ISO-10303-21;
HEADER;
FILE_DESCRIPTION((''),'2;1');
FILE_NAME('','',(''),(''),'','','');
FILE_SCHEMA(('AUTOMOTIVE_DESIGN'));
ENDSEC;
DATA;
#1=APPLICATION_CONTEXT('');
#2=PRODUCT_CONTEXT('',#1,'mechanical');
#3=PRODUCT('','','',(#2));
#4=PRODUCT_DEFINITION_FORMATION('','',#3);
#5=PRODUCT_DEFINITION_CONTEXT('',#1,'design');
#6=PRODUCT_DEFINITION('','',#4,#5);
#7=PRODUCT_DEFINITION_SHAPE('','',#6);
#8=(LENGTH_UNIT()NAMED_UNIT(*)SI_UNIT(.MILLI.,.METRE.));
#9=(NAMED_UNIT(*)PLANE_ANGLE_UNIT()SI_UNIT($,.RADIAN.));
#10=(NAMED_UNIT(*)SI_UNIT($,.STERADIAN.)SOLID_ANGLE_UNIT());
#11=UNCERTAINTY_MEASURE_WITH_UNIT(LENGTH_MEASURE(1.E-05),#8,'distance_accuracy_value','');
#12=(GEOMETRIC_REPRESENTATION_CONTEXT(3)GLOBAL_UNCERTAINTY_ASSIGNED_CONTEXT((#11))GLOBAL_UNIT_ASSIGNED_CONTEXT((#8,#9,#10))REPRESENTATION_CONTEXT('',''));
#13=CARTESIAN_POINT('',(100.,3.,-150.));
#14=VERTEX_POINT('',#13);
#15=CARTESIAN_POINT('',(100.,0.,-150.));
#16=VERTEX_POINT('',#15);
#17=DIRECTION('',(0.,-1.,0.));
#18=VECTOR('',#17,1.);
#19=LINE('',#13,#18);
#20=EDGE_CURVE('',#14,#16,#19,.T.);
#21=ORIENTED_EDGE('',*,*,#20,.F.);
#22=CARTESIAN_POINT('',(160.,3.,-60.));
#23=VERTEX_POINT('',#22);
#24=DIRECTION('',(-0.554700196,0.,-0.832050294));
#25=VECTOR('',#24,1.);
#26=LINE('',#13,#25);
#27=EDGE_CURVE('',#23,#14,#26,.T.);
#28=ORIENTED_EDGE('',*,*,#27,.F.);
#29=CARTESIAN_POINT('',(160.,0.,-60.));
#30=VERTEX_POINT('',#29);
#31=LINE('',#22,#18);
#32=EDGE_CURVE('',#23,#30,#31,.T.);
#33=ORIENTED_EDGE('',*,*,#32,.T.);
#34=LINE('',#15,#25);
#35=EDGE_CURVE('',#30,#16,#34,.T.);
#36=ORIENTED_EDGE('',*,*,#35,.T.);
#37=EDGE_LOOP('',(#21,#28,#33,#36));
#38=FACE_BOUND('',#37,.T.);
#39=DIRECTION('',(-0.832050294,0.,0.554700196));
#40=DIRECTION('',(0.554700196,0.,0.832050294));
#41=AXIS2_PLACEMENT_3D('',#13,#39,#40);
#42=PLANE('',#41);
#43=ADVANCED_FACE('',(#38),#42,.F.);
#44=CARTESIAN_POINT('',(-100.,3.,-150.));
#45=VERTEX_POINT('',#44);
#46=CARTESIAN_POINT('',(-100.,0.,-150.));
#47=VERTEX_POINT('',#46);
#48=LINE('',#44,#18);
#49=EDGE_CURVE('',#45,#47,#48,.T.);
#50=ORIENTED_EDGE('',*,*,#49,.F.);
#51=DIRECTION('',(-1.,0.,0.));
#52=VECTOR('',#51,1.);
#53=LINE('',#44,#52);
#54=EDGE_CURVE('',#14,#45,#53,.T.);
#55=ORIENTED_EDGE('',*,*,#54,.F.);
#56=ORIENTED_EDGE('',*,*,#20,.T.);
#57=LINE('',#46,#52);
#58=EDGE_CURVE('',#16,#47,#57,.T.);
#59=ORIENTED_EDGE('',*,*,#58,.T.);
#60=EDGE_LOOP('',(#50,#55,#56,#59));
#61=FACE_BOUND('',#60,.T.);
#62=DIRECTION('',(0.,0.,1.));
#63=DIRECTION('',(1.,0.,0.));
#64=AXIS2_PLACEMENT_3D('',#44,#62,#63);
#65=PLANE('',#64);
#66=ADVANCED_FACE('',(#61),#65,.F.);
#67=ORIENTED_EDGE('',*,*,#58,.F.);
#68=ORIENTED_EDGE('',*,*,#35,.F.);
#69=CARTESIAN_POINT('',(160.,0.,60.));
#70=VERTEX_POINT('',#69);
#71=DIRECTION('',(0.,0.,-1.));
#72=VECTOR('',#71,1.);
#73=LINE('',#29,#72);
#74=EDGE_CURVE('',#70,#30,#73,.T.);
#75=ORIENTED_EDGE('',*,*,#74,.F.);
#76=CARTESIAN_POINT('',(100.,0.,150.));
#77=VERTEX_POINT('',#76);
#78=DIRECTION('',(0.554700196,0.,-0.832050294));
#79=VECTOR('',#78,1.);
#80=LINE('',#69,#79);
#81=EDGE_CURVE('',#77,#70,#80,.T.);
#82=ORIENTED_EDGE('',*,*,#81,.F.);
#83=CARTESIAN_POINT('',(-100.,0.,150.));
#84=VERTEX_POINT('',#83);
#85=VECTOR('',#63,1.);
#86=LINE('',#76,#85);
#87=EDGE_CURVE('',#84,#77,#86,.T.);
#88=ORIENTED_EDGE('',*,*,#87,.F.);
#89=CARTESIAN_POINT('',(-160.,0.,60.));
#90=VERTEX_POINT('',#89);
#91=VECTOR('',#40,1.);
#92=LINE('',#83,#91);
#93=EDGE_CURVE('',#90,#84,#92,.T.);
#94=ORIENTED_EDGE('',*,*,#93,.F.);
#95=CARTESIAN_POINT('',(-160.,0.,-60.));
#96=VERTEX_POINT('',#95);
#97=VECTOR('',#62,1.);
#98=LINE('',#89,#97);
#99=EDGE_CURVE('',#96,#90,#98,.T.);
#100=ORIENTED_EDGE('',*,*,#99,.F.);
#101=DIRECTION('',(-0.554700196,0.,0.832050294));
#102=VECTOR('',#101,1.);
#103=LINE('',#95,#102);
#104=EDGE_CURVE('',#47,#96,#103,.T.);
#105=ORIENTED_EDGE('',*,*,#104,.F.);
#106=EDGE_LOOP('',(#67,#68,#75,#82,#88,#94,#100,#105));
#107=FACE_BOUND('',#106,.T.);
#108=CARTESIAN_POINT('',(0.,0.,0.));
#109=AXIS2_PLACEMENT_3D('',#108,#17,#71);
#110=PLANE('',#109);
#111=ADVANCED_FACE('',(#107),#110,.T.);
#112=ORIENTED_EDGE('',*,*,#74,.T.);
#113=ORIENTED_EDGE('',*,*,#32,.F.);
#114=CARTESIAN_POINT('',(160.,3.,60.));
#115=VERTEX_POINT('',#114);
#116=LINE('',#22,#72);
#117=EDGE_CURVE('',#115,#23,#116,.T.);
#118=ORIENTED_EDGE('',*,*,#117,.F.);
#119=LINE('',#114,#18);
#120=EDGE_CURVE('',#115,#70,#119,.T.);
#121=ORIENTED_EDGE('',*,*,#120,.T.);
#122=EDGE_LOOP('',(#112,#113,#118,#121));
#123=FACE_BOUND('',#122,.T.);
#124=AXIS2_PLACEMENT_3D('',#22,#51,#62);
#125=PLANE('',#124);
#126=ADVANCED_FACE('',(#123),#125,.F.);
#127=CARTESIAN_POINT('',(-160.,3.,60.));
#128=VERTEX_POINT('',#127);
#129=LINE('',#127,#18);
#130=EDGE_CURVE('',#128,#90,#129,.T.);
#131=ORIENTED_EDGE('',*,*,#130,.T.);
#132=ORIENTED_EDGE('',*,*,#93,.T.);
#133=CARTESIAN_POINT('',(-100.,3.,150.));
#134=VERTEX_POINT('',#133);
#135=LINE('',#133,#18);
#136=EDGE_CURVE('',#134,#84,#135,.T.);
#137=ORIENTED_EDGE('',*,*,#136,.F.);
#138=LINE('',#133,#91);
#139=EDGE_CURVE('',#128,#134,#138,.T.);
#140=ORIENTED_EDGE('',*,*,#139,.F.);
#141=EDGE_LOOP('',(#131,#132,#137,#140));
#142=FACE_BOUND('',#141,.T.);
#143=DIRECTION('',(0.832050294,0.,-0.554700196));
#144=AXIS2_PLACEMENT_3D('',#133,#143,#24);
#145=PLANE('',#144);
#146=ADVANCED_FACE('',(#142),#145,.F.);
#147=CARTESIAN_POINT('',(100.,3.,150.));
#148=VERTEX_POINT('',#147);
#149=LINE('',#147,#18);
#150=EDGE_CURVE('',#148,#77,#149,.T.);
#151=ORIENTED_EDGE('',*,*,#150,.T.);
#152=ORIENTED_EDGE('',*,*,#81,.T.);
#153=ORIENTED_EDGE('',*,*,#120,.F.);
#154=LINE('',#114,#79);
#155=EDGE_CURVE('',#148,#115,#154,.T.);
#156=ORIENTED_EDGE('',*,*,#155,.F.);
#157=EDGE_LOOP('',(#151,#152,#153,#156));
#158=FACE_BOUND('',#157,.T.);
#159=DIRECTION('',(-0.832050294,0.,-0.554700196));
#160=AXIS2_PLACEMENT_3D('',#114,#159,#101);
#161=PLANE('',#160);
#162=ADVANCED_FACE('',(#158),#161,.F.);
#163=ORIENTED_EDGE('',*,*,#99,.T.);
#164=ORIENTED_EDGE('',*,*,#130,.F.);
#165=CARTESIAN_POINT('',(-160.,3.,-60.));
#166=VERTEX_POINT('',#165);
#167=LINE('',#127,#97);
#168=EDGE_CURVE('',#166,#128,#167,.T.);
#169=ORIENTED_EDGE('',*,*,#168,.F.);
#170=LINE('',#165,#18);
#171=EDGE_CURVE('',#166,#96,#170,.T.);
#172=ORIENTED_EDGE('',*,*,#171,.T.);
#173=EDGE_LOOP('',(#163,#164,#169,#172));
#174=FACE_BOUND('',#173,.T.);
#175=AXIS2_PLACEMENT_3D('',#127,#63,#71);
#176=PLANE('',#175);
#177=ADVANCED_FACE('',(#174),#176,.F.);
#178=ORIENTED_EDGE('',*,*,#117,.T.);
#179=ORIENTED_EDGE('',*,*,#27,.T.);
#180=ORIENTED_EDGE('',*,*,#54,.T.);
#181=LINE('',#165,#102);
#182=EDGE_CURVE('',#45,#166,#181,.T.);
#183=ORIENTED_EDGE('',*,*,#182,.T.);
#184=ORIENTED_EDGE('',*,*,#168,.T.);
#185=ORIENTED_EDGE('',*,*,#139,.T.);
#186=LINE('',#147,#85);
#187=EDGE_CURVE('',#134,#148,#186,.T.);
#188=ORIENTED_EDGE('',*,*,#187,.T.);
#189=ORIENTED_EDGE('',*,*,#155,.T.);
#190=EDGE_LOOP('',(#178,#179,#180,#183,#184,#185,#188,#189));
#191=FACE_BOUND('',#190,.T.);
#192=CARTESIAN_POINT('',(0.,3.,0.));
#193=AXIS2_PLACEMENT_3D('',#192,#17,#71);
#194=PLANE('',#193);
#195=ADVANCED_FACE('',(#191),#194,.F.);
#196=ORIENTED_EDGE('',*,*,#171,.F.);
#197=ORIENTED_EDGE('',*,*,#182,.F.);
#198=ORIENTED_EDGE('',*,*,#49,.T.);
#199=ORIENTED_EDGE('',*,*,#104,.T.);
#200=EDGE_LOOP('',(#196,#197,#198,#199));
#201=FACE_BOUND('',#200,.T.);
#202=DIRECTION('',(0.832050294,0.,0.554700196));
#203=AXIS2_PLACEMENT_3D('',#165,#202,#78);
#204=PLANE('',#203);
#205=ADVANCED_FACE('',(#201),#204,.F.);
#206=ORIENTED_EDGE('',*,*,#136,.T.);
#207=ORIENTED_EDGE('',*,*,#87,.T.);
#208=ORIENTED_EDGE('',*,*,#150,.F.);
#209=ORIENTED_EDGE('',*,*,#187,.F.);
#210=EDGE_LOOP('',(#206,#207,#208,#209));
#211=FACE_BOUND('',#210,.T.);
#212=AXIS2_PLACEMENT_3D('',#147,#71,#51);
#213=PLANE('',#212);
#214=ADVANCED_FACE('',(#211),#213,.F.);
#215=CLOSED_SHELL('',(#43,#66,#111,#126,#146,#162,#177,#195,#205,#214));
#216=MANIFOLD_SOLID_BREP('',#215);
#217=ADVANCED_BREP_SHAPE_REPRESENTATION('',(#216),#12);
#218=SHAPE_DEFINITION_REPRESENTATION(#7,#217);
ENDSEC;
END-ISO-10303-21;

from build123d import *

# Parameters (mm, degrees)
BOSS_EXTRUDE1_DEPTH = 3


with BuildPart() as part:
    # Sketch2 → Boss-Extrude1 (new body)
    with BuildSketch(Plane(origin=(0, 0, 0), x_dir=(1, 0, 0), z_dir=(0, 1, 0))):
        Polygon((-100, 150), (100, 150), (160, 60), (160, -60), (100, -150), (-100, -150), (-160, -60), (-160, 60), align=None)
    extrude(amount=BOSS_EXTRUDE1_DEPTH)


solid = part.part
